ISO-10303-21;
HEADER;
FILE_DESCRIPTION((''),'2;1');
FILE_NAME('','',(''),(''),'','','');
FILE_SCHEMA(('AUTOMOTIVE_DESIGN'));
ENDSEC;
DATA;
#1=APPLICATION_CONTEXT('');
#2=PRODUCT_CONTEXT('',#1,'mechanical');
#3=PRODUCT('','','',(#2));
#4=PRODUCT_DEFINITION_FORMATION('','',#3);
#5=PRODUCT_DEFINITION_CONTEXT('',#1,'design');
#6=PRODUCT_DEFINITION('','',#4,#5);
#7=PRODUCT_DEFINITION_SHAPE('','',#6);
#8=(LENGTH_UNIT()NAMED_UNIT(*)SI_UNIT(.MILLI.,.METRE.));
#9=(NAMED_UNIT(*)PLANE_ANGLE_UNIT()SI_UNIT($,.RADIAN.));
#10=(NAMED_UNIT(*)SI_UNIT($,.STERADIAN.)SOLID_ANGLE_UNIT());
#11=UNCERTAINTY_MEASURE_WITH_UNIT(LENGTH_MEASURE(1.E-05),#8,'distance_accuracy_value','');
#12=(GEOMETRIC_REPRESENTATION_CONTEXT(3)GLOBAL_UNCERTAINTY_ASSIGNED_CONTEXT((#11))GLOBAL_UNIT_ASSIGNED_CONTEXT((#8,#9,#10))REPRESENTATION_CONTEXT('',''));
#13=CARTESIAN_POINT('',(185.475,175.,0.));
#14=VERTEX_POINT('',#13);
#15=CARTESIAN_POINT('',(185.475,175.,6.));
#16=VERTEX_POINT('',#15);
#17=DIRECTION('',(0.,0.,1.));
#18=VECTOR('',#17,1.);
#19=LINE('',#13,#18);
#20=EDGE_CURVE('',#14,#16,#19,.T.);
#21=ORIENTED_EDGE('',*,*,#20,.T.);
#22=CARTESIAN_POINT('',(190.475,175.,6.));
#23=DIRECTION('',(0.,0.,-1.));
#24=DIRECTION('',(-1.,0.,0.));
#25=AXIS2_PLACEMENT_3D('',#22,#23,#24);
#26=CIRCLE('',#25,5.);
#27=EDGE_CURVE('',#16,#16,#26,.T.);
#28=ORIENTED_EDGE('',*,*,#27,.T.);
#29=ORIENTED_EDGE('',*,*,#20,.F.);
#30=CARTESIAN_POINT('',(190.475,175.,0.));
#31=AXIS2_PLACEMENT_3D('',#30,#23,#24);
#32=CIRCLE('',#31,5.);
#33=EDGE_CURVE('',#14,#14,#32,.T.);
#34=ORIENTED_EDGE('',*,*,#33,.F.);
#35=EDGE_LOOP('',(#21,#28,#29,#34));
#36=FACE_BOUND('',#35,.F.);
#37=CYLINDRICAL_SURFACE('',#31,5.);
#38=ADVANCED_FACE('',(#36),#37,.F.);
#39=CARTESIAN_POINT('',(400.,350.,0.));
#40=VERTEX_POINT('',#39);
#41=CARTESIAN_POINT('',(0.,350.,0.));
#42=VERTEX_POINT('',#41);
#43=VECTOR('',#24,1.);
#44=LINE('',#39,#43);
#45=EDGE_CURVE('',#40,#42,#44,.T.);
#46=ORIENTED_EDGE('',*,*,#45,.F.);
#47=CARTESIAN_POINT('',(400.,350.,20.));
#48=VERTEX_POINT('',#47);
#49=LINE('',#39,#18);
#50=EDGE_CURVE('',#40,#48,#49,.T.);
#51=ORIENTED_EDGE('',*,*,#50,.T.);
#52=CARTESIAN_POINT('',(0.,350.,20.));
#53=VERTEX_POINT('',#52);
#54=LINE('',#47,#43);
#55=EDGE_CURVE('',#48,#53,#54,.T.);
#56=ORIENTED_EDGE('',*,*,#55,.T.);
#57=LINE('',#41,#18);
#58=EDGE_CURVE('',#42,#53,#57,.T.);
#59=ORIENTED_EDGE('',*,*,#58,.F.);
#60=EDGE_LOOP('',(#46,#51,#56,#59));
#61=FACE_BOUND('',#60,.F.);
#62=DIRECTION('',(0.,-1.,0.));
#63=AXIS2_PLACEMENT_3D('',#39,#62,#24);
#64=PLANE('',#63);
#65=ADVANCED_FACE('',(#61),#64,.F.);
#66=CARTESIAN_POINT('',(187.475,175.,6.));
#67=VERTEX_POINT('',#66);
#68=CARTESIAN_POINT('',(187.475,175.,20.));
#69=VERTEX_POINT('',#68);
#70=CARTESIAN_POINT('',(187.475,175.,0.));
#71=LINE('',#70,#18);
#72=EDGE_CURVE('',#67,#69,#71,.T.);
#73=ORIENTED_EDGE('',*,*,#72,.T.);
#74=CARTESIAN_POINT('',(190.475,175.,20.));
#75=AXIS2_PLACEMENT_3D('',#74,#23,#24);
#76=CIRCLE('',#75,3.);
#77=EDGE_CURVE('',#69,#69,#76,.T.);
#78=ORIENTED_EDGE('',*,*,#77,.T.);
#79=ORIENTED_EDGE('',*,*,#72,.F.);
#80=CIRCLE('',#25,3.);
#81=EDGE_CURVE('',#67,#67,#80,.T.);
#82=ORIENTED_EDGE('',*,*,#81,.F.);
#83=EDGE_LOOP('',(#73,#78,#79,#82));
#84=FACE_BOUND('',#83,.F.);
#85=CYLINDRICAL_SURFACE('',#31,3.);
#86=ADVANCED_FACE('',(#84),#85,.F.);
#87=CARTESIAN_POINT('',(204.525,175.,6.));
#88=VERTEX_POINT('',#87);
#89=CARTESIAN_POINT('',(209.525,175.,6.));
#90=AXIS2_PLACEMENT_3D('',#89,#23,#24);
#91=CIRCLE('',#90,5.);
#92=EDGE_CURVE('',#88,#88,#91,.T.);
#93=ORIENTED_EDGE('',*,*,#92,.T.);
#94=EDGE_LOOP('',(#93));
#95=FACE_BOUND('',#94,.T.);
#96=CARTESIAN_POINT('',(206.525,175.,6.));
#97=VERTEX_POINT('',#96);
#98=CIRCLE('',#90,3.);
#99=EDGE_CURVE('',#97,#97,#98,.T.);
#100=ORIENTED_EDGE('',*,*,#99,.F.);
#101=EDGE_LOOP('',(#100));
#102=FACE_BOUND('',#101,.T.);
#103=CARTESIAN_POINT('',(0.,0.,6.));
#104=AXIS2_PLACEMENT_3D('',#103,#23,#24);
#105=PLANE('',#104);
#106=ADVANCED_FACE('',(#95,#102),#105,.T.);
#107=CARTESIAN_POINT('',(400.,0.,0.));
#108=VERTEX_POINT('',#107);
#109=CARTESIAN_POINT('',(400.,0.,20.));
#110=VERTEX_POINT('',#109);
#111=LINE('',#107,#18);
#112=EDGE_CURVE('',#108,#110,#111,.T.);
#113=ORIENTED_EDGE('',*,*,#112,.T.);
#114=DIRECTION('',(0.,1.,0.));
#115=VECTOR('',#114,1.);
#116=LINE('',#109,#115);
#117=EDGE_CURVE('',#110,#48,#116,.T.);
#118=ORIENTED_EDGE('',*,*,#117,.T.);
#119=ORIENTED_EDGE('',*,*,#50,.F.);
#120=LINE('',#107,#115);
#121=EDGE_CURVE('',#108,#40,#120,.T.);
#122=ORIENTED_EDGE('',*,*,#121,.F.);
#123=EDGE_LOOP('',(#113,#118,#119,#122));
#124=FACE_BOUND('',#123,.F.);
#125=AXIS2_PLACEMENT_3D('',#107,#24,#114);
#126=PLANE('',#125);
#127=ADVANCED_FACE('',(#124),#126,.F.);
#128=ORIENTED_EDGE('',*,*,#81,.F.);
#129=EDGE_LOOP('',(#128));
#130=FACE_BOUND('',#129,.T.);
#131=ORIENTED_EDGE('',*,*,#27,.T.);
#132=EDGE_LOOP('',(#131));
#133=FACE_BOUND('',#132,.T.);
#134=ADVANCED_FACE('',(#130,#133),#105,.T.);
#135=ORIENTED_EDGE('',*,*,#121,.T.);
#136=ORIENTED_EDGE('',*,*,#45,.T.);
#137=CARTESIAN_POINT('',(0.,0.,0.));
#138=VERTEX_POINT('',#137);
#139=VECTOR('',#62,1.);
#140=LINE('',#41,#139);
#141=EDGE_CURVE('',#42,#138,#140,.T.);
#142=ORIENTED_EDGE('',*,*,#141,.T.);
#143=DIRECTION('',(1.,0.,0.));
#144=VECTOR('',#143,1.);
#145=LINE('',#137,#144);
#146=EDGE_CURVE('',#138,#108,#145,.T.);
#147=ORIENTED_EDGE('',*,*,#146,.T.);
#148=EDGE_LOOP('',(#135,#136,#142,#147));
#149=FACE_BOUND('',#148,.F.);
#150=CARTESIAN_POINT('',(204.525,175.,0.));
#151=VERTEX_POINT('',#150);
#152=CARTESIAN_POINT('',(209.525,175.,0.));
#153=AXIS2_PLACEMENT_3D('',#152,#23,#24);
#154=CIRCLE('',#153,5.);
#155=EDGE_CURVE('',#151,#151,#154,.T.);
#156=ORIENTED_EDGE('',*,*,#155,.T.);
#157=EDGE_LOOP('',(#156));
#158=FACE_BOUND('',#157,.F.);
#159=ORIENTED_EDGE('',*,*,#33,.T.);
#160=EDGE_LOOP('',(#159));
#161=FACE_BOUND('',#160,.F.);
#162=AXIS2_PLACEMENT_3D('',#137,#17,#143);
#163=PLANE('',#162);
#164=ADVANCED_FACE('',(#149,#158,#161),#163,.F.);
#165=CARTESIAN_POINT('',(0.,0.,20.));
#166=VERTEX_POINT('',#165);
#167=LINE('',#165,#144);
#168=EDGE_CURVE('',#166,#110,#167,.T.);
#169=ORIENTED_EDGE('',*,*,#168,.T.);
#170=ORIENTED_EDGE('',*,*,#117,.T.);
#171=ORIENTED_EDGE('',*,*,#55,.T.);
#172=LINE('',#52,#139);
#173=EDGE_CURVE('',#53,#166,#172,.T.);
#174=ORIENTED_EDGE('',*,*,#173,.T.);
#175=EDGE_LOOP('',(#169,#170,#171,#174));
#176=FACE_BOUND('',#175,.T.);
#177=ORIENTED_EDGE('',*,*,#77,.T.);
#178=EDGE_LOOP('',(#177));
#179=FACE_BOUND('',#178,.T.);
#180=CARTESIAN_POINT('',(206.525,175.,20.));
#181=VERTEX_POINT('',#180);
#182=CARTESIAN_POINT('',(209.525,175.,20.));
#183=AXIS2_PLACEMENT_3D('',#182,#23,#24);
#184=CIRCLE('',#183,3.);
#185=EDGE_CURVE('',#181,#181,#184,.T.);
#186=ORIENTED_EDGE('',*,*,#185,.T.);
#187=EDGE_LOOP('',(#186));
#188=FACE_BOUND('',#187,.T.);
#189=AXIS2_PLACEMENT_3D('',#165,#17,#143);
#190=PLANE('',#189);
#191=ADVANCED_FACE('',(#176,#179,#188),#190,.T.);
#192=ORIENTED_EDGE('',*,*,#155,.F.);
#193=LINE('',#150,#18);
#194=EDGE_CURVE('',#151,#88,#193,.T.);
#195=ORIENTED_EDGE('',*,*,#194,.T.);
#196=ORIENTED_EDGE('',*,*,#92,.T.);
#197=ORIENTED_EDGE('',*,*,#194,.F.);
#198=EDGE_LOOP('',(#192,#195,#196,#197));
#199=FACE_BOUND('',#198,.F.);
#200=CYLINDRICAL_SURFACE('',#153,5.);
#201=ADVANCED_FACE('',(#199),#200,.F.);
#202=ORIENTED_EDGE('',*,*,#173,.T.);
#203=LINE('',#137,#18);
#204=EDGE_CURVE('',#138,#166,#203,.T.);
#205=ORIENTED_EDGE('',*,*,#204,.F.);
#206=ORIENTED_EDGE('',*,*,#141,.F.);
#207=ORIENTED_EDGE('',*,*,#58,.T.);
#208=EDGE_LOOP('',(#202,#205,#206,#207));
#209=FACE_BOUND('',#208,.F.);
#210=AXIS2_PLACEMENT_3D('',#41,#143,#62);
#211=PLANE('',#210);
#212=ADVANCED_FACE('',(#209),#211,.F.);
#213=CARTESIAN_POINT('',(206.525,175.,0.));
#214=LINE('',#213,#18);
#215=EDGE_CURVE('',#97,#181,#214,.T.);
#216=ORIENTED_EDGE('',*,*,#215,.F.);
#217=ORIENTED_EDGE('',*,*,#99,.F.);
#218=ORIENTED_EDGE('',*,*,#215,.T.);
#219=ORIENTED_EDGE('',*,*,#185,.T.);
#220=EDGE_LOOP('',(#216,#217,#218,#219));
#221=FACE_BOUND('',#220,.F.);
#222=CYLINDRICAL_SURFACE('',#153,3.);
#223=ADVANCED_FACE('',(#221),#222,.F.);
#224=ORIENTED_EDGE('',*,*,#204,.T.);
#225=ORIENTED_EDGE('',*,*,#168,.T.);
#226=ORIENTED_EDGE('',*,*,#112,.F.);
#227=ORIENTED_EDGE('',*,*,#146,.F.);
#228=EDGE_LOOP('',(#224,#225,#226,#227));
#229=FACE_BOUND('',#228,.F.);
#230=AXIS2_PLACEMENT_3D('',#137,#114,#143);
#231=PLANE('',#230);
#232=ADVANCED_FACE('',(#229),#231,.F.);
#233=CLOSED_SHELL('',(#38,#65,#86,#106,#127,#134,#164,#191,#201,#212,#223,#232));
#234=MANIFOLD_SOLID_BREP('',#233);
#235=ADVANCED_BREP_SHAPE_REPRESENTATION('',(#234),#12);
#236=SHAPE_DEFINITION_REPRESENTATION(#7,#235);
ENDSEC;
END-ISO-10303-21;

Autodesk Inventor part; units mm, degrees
ref_plane "YZ Plane" through (0, 0, 0) normal (1, 0, 0) x (0, 1, 0)
ref_plane "XZ Plane" through (0, 0, 0) normal (0, 1, 0) x (-1, 0, 0)
ref_plane "XY Plane" through (0, 0, 0) normal (0, 0, 1) x (1, 0, 0)
sketch "Sketch1" plane through (0, 0, 0) normal (0, 0, 1) x (1, 0, 0)
  line L0 (0, 0) -> (400, 0)
  line L1 (400, 0) -> (400, 350)
  line L2 (400, 350) -> (0, 350)
  line L3 (0, 350) -> (0, 0)
  dimension "d0" = 400
  dimension "d1" = 350
extrude "Extrusion1" add sketch "Sketch1" along normal blind 20
sketch "Sketch2" plane through (0, 0, 0) normal (0, 0, -1) x (-1, 0, 0)
  circle A0 centre (-190.475, 175) radius 3 projected
  circle A1 centre (-209.525, 175) radius 3 projected
  point P0 (0, 0)
extrude "Extrusion2" cut sketch "Sketch2" against normal blind 20
sketch "Sketch4" plane through (0, 0, 0) normal (0, 0, -1) x (-1, 0, 0)
  circle A0 centre (-190.475, 175) radius 3 construction
  circle A1 centre (-209.525, 175) radius 3 construction
  circle A2 centre (-190.475, 175) radius 5
  circle A3 centre (-209.525, 175) radius 5
  point P0 (0, 0)
  dimension "d10" = 10
  dimension "d11" = 10
extrude "Extrusion4" cut sketch "Sketch4" against normal blind 6
equation "\"d0\" = maxl"
equation "\"d1\" = maxw"
equation "\"d2\" = platft"
equation "\"d4\" = platft"
equation "\"d10\" = bhd"
equation "\"d11\" = bhd"
equation "\"d12\" = bhh"
equation "\"dias\" = 8.8"
equation "\"stra1\" = 9.5"
equation "\"diab2\" = 6"
equation "\"stra\" = 25"
equation "\"db1\" = 6"
equation "\"ds1\" = 5.8"
equation "\"ds2\" = 1.6"
equation "\"ang\" = 120deg"
equation "\"db2\" = 3"
equation "\"diab3\" = 7"
equation "\"diab4\" = 3"
equation "\"dias1\" = 13.4375"
equation "\"dias3\" = 2"
equation "\"dias4\" = 4"
equation "\"t1\" = 3"
equation "\"t2\" = 3"
equation "\"t3\" = 6"
equation "\"t4\" = 6"
equation "\"t5\" = 3"
equation "\"diab1\" = 19"
equation "\"afw\" = 0.2"
equation "\"maxw\" = 350"
equation "\"lcsd\" = 19.05"
equation "\"lcwd1\" = 25"
equation "\"lch1\" = 39"
equation "\"lcwd2\" = 34"
equation "\"lcwd3\" = 43"
equation "\"dia1\" = 6"
equation "\"td\" = 18"
equation "\"bhh\" = 6"
equation "\"bhd\" = 10"
equation "\"spacert\" = 2"
equation "\"sh\" = 31"
equation "\"sw\" = 25"
equation "\"platft\" = 20"
equation "\"pvct\" = 5"
equation "\"dia3\" = 8"
equation "\"dia4\" = 11"
equation "\"tankl\" = 379"
equation "\"play\" = 9"
equation "\"holeh\" = 26"
equation "\"slack\" = 0.5"
equation "\"surroundt\" = 5"
equation "\"play2\" = 3"
equation "\"maxl\" = 400"
equation "\"diaoverflow\" = 25"
equation "\"diawater\" = 25"
equation "\"diacucl\" = 32"
equation "\"diaair\" = 32"
equation "\"diaph\" = 32"
equation "\"diasurroundhole\" = 42"
equation "\"diagrate\" = 12"
equation "\"gratespacing\" = 12.02082"
equation "\"sidedist\" = 13.9375"
equation "\"bottomdist\" = 9.6355"
equation "\"diahcl\" = 32"
equation "\"bracketwtop\" = 6"
equation "\"bracketwbottom\" = 6"
equation "\"nett\" = 1"
equation "\"nethole\" = 16"
equation "\"nettop\" = 7"
equation "\"netside\" = 3.5"
equation "\"netholespacing\" = 2"
equation "\"diaetape\" = 32"
properties part number "platform_top" material "PVC-Piping"
